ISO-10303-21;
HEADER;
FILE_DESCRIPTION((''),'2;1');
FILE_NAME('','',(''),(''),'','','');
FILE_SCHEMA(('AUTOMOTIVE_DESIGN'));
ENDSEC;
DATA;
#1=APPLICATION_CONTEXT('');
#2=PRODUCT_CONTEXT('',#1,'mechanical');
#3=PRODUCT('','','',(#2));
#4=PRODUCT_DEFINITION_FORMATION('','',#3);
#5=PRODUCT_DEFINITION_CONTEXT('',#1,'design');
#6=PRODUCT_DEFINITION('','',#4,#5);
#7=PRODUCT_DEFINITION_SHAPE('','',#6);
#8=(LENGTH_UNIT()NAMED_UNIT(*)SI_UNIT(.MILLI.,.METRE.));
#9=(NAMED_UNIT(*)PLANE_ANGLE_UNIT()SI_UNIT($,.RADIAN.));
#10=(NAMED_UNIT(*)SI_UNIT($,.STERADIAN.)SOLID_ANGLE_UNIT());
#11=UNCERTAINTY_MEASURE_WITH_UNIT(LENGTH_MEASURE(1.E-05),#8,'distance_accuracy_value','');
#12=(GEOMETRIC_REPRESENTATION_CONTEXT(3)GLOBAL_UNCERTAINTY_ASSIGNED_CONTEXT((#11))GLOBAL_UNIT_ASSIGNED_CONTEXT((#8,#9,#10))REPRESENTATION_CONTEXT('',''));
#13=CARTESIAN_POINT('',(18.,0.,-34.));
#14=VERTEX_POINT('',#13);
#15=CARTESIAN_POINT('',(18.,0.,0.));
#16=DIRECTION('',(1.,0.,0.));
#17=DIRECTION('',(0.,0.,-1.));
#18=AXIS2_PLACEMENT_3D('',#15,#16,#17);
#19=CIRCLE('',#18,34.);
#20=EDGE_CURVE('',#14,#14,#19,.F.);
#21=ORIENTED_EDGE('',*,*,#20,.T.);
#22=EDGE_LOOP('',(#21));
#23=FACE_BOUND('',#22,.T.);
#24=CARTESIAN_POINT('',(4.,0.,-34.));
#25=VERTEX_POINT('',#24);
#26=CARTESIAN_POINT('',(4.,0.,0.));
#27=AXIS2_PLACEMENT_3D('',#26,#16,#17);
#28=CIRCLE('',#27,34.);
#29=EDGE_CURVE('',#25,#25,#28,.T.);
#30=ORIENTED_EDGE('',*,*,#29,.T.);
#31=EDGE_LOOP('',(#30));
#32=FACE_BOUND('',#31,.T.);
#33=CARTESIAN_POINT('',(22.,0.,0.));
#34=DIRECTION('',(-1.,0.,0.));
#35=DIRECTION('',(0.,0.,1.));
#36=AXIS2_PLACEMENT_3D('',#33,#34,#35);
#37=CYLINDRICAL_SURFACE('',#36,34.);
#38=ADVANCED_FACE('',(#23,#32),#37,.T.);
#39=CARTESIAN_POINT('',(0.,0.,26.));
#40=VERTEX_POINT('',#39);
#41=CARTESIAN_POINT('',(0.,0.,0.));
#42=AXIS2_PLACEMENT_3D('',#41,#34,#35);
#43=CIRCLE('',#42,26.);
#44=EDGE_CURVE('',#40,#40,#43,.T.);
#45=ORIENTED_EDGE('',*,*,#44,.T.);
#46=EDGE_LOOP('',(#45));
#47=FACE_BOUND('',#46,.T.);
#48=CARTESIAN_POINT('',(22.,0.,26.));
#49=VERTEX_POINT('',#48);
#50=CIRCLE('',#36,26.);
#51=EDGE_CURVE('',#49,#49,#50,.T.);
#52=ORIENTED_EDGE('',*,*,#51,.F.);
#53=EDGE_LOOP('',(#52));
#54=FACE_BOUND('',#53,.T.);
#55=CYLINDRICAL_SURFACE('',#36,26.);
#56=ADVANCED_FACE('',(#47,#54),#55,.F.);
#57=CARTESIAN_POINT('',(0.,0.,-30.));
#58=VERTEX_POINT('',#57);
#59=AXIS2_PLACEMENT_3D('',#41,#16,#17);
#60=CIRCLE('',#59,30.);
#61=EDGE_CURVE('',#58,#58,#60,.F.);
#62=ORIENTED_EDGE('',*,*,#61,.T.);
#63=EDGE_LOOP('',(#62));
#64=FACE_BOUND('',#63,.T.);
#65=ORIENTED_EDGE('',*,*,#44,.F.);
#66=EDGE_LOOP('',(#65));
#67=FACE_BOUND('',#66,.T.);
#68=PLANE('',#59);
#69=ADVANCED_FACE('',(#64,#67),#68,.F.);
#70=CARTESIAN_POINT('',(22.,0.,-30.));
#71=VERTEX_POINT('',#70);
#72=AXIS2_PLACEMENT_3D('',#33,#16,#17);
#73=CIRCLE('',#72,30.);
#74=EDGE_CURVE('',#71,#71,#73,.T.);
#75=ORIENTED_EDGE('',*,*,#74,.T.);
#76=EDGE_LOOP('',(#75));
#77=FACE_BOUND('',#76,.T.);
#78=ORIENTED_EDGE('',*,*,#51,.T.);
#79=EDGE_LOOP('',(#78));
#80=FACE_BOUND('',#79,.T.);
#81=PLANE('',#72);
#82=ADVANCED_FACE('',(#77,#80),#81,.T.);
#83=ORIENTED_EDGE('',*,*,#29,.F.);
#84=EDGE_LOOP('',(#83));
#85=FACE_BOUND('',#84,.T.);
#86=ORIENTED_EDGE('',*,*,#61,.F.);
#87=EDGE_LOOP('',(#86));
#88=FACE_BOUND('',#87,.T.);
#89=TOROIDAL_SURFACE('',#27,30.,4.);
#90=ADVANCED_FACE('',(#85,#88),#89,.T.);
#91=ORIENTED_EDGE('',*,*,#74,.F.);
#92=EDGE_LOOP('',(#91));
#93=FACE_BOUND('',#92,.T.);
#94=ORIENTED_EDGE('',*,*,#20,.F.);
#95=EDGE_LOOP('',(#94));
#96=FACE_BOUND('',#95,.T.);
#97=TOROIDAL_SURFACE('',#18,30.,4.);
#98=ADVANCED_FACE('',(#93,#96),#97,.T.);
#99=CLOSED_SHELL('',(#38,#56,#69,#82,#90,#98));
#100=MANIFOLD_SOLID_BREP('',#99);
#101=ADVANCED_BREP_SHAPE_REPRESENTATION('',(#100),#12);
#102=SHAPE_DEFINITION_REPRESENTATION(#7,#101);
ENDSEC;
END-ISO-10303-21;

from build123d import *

# Parameters (mm, degrees)
SKETCH_1_R          = 34
EXTRUDE_1_DEPTH     = 22
SKETCH_2_R          = 26
CUT_EXTRUDE_1_DEPTH = 22
FILLET_1_R          = 4


with BuildPart() as part:
    # 草图1 → 凸台-拉伸1 (new body)
    with BuildSketch(Plane(origin=(0, 0, 0), x_dir=(0, 0, -1), z_dir=(1, 0, 0))):
        Circle(SKETCH_1_R)
    extrude(amount=EXTRUDE_1_DEPTH)

    # 草图2 → 切除-拉伸1 (cut)
    with BuildSketch(Plane.ZY):
        Circle(SKETCH_2_R)
    extrude(amount=-CUT_EXTRUDE_1_DEPTH, mode=Mode.SUBTRACT)

    # 圆角1
    fillet_1_edges = [part.edges().sort_by_distance(p)[0] for p in [
        (0, 0, 34),
        (22, 0, 34),
    ]]
    fillet(fillet_1_edges, radius=FILLET_1_R)


solid = part.part
